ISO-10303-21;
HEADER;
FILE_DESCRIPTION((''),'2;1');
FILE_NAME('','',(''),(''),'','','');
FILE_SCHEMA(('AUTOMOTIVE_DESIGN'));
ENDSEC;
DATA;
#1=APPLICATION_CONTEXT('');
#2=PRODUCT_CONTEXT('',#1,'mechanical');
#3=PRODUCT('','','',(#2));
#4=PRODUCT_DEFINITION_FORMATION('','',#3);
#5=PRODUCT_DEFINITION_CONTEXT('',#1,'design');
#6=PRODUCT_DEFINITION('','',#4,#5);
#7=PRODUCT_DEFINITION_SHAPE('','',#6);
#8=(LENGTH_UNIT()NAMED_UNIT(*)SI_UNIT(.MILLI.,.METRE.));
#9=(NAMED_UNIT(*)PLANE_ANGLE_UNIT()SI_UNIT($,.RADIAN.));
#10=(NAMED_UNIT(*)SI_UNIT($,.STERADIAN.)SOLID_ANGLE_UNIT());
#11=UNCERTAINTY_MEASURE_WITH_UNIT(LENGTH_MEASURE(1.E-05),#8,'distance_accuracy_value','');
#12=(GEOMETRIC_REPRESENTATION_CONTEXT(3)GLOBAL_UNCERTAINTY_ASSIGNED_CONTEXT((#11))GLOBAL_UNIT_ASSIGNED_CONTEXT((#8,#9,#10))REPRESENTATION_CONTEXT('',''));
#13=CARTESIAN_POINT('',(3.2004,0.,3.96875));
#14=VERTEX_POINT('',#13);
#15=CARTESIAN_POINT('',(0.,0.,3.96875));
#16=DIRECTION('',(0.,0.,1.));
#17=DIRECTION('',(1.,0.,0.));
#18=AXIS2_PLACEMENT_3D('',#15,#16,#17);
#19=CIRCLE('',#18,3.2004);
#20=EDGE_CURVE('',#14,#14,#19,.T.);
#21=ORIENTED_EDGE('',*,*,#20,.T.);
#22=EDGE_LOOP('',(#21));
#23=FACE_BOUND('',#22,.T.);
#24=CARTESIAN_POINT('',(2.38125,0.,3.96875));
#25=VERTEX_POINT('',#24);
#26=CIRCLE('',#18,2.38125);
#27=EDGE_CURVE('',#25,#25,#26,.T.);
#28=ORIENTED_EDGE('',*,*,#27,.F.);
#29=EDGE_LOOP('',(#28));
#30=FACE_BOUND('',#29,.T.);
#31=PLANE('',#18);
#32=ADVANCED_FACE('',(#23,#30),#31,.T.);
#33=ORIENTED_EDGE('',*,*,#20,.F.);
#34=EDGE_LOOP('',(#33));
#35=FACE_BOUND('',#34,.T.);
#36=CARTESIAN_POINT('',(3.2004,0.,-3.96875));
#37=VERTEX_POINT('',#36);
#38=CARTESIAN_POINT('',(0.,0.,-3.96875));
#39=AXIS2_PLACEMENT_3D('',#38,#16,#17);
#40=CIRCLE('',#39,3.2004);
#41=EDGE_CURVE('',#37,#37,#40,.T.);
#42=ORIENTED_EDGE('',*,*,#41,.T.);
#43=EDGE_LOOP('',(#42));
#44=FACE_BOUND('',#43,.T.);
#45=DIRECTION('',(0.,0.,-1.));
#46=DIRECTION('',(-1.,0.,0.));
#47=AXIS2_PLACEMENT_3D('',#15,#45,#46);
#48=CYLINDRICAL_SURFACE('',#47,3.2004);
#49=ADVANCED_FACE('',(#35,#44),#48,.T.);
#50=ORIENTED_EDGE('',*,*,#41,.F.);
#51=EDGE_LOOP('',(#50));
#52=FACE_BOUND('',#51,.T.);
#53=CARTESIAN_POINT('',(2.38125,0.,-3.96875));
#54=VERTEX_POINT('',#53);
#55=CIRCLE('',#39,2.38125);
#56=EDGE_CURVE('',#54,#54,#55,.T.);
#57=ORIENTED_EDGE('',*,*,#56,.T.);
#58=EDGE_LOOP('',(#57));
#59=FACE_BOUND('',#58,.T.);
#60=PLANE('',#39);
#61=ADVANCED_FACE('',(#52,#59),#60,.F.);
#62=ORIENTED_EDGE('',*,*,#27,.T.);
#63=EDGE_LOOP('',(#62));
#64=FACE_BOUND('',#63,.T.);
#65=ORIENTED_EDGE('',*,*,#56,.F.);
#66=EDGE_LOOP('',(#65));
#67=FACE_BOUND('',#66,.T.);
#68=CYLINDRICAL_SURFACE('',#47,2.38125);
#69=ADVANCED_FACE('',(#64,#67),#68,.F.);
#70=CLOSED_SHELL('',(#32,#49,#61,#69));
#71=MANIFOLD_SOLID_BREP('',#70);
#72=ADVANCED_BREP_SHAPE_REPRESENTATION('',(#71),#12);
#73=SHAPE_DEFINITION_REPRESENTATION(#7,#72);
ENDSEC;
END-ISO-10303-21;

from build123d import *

# Parameters (mm, degrees)
SKETCH5_R           = 3.2004
SKETCH5_R_2         = 2.38125
BOSS_EXTRUDE1_DEPTH = 3.96875


with BuildPart() as part:
    # Sketch5 → Boss-Extrude1 (new, symmetric)
    with BuildSketch(Plane.XY):
        Circle(SKETCH5_R)
        Circle(SKETCH5_R_2, mode=Mode.SUBTRACT)
    extrude(amount=BOSS_EXTRUDE1_DEPTH, both=True)


solid = part.part
